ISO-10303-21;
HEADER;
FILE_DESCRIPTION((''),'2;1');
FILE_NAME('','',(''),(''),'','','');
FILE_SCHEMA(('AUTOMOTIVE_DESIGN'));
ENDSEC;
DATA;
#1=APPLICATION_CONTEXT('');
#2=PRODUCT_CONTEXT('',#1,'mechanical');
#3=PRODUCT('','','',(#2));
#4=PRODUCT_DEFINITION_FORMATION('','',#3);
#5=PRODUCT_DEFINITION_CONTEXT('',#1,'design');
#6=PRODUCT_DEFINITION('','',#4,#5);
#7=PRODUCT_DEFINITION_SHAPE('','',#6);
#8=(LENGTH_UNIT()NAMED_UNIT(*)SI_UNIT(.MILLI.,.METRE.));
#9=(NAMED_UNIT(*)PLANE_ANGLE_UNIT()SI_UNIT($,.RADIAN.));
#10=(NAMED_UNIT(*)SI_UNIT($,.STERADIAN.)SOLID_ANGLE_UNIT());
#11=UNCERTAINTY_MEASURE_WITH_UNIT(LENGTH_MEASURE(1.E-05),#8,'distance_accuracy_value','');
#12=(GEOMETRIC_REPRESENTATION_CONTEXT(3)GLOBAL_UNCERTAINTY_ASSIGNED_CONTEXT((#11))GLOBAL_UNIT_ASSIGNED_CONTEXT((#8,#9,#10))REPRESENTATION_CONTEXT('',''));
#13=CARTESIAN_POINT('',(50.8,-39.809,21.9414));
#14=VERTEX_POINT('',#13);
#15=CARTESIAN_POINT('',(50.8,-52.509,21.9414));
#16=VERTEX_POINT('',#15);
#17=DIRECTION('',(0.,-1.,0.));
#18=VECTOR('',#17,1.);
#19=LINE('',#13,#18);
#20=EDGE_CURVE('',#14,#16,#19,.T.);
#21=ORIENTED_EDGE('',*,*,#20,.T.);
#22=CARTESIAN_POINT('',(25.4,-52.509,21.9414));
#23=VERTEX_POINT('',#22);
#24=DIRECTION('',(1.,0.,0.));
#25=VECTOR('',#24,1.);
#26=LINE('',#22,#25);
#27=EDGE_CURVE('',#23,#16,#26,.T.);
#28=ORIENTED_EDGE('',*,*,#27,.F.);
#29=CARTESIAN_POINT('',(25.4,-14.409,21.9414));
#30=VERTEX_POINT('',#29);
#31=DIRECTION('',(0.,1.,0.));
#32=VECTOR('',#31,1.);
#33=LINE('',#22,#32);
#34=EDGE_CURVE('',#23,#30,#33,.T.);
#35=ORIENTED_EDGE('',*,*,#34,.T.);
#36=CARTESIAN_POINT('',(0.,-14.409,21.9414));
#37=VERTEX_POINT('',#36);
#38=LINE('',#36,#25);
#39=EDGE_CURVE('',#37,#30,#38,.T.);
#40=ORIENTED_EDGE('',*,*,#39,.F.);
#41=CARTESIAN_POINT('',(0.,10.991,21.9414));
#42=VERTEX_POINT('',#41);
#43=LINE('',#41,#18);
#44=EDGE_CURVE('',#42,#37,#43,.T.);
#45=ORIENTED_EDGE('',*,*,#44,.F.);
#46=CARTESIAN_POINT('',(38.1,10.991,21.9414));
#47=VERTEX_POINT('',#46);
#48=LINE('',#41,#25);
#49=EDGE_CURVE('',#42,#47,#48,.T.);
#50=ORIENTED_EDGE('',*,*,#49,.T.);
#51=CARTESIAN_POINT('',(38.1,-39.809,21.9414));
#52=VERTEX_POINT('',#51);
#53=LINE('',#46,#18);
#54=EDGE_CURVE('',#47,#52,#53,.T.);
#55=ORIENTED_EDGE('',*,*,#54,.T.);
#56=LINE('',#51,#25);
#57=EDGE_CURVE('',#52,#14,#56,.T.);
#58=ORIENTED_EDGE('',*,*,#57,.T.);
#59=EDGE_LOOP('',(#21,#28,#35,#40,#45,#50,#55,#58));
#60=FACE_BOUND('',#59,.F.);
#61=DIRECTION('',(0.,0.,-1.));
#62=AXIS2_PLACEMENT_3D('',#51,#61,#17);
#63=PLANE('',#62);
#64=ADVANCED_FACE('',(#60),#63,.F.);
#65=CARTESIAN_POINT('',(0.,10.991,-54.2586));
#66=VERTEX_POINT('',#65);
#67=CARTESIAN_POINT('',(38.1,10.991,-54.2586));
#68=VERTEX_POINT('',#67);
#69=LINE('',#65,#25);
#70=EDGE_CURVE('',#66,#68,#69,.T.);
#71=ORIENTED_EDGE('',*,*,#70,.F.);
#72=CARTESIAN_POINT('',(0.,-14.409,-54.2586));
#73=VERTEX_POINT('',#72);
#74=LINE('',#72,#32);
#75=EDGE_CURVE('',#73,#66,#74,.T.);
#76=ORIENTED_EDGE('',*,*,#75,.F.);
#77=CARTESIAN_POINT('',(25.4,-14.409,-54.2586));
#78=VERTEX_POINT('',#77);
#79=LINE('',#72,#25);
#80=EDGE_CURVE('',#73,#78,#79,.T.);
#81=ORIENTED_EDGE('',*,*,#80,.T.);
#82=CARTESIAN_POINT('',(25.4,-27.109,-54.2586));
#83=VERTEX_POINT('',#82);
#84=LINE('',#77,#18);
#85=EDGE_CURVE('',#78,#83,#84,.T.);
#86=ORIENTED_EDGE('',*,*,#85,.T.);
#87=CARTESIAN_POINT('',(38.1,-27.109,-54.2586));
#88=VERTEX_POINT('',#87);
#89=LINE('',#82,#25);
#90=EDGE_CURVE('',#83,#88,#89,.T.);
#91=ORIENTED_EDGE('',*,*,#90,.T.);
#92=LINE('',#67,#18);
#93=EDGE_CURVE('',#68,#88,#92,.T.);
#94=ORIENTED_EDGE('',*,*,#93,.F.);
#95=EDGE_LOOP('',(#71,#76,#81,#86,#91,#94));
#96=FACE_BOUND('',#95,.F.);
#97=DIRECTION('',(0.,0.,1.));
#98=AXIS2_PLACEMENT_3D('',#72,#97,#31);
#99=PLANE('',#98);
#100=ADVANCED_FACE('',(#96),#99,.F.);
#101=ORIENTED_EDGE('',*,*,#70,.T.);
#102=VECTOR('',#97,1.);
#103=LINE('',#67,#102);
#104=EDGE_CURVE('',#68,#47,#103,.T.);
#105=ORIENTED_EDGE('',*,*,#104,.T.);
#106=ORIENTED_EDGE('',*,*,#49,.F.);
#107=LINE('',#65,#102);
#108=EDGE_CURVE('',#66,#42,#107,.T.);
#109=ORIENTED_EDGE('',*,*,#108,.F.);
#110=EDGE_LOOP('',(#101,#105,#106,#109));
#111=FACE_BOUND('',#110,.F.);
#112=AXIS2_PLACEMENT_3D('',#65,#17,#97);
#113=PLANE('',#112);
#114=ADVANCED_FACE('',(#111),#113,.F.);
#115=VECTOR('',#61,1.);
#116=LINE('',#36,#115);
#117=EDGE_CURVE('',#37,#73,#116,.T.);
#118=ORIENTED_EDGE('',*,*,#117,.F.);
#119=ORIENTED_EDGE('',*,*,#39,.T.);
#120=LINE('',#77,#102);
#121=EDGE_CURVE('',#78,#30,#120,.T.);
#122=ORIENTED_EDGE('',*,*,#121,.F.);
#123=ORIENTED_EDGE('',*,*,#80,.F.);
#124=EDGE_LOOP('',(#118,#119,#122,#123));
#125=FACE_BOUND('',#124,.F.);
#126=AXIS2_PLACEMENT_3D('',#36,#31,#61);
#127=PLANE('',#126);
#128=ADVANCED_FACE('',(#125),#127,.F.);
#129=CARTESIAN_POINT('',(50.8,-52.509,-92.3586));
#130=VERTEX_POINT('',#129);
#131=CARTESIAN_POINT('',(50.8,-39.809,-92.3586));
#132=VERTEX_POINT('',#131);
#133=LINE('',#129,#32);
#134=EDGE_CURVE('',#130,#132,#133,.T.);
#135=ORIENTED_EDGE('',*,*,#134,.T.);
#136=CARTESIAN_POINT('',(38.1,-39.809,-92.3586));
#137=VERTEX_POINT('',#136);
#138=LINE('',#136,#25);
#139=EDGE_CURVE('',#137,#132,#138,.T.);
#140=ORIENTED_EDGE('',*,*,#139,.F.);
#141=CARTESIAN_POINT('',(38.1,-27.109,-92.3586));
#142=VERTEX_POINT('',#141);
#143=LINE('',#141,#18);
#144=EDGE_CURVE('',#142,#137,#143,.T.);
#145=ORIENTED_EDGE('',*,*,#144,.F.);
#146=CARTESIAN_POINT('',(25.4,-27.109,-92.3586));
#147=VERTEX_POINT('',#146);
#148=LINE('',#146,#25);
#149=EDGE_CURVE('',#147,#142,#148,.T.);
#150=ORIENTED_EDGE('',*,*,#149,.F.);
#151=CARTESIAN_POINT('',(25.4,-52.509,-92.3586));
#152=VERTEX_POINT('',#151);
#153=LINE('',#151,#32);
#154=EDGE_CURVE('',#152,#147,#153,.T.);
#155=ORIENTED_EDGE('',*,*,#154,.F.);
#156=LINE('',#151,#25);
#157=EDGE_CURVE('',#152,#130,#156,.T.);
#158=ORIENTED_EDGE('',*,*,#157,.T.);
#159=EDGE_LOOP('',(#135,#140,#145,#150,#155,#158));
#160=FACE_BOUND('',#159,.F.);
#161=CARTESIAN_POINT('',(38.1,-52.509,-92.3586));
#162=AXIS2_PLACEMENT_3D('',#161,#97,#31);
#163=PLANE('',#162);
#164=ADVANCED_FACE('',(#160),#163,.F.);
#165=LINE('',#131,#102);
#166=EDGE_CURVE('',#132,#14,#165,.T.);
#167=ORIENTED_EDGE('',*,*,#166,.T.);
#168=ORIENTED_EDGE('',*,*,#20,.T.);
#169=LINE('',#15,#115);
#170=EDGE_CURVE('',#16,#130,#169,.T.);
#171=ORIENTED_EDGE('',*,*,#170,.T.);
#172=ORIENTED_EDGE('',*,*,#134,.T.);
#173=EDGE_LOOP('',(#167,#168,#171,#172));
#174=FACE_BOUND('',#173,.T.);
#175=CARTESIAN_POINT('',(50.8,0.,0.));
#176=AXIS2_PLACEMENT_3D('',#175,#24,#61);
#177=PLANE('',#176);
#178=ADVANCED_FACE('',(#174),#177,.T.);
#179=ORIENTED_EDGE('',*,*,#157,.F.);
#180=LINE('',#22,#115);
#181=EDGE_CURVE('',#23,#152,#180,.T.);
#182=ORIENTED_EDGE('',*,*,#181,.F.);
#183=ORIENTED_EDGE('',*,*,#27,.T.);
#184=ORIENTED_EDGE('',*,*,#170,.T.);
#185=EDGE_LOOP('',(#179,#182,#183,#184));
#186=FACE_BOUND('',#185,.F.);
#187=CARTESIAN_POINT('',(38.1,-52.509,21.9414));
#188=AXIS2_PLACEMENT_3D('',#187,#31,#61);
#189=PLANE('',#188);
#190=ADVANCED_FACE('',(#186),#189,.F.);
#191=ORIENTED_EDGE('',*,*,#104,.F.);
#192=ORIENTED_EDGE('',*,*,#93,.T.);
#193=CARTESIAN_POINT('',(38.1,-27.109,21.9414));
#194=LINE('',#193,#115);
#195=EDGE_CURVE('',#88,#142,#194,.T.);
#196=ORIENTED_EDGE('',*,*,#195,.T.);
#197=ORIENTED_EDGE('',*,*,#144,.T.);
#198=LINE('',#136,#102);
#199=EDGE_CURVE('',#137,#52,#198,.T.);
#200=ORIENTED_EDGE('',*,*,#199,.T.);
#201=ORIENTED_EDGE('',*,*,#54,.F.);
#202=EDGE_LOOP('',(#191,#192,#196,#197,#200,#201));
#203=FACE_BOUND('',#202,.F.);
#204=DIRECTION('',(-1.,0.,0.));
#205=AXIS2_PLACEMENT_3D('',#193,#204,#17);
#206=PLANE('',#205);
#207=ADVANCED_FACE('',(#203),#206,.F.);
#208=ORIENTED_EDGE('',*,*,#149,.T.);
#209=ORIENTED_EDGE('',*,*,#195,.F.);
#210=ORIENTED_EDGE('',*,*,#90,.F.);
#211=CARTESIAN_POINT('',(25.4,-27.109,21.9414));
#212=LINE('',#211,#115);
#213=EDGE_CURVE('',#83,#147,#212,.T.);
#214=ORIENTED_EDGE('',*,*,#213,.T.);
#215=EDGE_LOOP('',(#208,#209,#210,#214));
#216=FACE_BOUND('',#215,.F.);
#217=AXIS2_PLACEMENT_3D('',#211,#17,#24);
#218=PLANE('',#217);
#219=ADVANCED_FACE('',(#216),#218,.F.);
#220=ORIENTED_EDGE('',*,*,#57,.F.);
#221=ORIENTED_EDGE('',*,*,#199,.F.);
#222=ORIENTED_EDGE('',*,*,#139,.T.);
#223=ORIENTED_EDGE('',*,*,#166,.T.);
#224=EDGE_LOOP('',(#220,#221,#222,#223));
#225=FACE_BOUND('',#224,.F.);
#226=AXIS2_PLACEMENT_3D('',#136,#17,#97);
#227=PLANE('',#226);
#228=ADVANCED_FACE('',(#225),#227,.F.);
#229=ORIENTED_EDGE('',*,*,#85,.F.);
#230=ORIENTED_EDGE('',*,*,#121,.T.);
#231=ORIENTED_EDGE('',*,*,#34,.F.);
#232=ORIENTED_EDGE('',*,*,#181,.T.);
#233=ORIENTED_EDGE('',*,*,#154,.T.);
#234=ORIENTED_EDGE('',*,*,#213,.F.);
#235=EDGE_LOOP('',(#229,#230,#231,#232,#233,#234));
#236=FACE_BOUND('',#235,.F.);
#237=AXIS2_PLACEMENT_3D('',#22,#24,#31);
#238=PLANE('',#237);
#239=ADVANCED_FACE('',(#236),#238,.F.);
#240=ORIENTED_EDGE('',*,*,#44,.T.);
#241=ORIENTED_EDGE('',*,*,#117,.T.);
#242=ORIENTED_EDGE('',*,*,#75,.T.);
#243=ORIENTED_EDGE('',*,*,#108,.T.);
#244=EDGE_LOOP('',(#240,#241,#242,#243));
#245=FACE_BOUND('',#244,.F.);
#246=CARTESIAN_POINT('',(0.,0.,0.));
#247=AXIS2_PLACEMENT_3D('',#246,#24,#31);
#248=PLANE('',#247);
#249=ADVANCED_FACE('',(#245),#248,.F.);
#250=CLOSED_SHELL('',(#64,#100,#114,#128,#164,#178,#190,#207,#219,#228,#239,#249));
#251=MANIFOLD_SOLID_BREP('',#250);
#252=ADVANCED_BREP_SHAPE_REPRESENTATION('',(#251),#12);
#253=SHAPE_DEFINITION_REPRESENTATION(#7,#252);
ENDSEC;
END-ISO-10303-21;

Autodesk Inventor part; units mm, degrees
ref_plane "YZ Plane" through (0, 0, 0) normal (1, 0, 0) x (0, 1, 0)
ref_plane "XZ Plane" through (0, 0, 0) normal (0, 1, 0) x (-1, 0, 0)
ref_plane "XY Plane" through (0, 0, 0) normal (0, 0, 1) x (1, 0, 0)
sketch "Sketch1" plane through (0, 0, 0) normal (1, 0, 0) x (0, 1, 0)
  line L0 (10.991, 21.9414) -> (-14.409, 21.9414)
  line L1 (-14.409, 21.9414) -> (-14.409, -54.2586)
  line L2 (-14.409, -54.2586) -> (10.991, -54.2586)
  line L3 (10.991, -54.2586) -> (10.991, 21.9414)
  point P0 (0, 0)
  dimension "d0" = 25.4
  dimension "d1" = 76.2
extrude "Extrusion1" add sketch "Sketch1" along normal blind 38.1
sketch "Sketch2" plane through (0, -14.409, -54.2586) normal (0, 0, -1) x (-1, 0, 0)
  line L0 (-38.1, 25.4) -> (-38.1, 0) projected
  line L1 (-38.1, 0) -> (-25.4, 0)
  line L2 (-25.4, 0) -> (-25.4, -12.7)
  line L3 (-25.4, -12.7) -> (-38.1, -12.7)
  line L4 (-38.1, -12.7) -> (-38.1, 0)
  point P0 (0, 14.409)
  dimension "d4" = 12.7
  dimension "d5" = 12.7
extrude "Extrusion2" add sketch "Sketch2" against normal blind 76.2
sketch "Sketch3" plane through (0, -14.409, 21.9414) normal (0, 0, 1) x (1, 0, 0)
  line L0 (25.4, 0) -> (25.4, -12.7) projected
  line L1 (25.4, -12.7) -> (38.1, -12.7)
  line L2 (38.1, -12.7) -> (38.1, -38.1)
  line L3 (38.1, -38.1) -> (25.4, -38.1)
  line L4 (25.4, -38.1) -> (25.4, -12.7)
  point P0 (0, 14.409)
  dimension "d8" = 12.7
  dimension "d9" = 25.4
extrude "Extrusion3" add sketch "Sketch3" against normal blind 114.3
sketch "Sketch4" plane through (38.1, 0, 0) normal (1, 0, 0) x (0, 0, -1)
  line L0 (-21.9414, -52.509) -> (92.3586, -52.509) projected
  line L1 (-21.9414, -52.509) -> (92.3586, -52.509)
  line L2 (92.3586, -52.509) -> (92.3586, -39.809)
  line L3 (92.3586, -39.809) -> (-21.9414, -39.809)
  line L4 (-21.9414, -39.809) -> (-21.9414, -52.509)
  point P0 (0, 0)
  dimension "d12" = 114.3
  dimension "d13" = 12.7
extrude "Extrusion4" add sketch "Sketch4" along normal blind 12.7
properties part number "4.1e P4"
